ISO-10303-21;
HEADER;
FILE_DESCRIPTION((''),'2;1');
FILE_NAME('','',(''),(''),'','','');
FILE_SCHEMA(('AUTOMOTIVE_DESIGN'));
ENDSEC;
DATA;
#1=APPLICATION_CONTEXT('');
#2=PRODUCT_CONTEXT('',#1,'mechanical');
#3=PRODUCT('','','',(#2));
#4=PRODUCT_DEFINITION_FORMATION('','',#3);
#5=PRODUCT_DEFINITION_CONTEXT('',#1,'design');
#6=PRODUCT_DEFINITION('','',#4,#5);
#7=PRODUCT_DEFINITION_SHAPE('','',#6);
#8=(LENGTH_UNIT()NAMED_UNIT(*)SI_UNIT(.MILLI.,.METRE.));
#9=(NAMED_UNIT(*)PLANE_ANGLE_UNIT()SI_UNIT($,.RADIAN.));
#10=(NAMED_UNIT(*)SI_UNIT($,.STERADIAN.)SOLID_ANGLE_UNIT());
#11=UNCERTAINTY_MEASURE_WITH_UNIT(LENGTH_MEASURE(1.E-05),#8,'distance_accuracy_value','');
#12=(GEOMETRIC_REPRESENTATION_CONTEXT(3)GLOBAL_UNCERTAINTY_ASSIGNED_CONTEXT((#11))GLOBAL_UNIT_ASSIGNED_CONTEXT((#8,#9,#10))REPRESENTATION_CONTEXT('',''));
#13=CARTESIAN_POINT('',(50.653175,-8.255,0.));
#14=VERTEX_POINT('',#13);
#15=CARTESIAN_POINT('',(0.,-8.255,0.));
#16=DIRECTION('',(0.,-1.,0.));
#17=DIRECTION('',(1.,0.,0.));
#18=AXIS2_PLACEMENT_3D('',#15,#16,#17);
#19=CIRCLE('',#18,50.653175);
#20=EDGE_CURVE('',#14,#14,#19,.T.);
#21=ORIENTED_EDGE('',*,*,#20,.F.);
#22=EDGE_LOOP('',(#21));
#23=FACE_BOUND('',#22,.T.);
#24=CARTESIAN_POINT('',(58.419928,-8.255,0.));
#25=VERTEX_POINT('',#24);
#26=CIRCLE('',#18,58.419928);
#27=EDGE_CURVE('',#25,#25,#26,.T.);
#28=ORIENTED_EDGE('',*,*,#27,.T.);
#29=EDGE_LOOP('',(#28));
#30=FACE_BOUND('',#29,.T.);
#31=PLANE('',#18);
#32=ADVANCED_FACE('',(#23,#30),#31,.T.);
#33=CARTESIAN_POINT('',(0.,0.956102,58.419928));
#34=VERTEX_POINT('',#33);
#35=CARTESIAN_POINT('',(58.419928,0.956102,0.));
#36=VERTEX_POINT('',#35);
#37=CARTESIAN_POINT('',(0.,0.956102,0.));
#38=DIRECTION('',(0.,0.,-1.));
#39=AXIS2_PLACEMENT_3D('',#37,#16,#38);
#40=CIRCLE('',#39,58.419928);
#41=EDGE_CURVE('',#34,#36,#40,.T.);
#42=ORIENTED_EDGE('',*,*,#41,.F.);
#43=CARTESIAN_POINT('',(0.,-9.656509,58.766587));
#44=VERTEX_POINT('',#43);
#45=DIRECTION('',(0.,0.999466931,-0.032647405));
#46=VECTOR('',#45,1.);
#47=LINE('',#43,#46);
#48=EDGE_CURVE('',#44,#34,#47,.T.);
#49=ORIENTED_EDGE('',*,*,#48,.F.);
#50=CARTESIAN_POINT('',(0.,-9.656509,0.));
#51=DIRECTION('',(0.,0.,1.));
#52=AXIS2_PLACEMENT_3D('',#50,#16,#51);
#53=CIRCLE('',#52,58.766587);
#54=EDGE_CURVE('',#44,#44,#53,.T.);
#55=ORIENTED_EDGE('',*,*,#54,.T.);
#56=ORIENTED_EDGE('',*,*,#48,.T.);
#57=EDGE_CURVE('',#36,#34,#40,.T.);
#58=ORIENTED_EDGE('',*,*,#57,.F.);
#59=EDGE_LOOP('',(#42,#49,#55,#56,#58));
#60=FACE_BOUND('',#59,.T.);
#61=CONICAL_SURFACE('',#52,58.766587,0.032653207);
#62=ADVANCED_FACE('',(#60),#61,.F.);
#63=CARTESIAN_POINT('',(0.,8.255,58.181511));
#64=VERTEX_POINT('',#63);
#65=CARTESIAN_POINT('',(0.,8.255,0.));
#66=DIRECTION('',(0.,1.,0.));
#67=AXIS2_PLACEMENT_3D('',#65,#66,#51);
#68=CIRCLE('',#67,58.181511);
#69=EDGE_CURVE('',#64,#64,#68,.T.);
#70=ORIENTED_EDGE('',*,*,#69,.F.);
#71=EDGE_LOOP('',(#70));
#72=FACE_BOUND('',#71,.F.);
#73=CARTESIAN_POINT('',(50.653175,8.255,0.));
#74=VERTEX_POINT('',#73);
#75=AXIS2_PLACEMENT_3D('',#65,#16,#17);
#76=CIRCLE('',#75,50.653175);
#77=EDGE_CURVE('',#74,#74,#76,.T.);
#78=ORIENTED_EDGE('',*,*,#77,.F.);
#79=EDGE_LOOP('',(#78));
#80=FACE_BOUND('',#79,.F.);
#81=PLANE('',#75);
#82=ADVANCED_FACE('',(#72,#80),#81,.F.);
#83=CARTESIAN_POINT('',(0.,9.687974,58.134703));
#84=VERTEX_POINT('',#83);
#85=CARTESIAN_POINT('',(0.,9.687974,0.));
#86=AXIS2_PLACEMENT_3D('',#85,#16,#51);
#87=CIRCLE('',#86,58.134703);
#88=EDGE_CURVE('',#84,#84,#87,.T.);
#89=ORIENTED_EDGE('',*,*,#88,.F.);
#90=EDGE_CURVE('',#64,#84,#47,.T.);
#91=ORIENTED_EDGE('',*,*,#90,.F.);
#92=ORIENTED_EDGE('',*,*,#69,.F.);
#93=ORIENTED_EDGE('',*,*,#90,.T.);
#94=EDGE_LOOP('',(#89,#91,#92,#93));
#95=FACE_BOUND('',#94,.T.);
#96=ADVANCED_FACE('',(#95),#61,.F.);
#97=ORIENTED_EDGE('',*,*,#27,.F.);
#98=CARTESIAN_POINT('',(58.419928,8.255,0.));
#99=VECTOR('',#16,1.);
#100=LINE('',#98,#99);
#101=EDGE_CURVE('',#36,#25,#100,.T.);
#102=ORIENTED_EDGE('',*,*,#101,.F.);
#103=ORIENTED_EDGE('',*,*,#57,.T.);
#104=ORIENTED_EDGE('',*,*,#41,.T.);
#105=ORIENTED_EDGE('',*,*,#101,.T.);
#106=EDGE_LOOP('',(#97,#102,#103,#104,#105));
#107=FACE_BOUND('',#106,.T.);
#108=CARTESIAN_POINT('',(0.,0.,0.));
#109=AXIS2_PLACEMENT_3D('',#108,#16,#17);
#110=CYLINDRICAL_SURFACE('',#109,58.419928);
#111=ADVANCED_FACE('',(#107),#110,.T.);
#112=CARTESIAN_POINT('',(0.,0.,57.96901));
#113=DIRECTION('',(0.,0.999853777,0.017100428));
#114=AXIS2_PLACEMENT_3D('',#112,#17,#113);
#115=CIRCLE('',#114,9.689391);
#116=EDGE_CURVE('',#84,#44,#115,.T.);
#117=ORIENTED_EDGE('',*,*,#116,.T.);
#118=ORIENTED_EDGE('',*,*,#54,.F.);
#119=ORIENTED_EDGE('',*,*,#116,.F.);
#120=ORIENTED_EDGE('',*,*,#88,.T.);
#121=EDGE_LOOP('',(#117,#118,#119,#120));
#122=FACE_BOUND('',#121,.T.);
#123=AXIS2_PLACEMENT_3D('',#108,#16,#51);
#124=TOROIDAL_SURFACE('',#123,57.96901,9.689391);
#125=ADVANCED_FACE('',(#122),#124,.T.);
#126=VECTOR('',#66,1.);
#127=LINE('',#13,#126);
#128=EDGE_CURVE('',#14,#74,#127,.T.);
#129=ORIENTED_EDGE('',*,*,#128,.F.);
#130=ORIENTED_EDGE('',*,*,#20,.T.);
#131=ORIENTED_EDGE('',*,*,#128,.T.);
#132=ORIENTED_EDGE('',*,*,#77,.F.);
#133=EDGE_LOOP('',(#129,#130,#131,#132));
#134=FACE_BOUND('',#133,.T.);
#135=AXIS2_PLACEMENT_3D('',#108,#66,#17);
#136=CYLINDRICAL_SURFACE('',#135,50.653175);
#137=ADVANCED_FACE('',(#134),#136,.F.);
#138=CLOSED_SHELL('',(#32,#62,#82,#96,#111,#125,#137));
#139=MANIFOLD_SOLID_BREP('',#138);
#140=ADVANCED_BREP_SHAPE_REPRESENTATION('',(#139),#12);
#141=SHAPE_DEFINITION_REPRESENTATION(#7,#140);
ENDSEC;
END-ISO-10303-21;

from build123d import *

# Parameters (mm, degrees)
F0_R     = 58.419928
F0_R_2   = 50.653175
F4_DEPTH = 8.255


with BuildPart() as f3:
    # F1 (on Right) → F3 (revolve)
    with BuildSketch(Plane.YZ):
        with BuildLine():
            Line((-9.656509, 58.766587), (9.687974, 58.134703))
            ThreePointArc((9.687974, 58.134703), (0.316333, 67.653236), (-9.656509, 58.766587))
        make_face()
    revolve(axis=Axis((0, -0.11386, 0), (0, -1, 0)))

    # F0 (on Front) → F4 (join, symmetric)
    with BuildSketch(Plane.XZ):
        Circle(F0_R)
        Circle(F0_R_2, mode=Mode.SUBTRACT)
    extrude(amount=F4_DEPTH, both=True)


solid = f3.part
